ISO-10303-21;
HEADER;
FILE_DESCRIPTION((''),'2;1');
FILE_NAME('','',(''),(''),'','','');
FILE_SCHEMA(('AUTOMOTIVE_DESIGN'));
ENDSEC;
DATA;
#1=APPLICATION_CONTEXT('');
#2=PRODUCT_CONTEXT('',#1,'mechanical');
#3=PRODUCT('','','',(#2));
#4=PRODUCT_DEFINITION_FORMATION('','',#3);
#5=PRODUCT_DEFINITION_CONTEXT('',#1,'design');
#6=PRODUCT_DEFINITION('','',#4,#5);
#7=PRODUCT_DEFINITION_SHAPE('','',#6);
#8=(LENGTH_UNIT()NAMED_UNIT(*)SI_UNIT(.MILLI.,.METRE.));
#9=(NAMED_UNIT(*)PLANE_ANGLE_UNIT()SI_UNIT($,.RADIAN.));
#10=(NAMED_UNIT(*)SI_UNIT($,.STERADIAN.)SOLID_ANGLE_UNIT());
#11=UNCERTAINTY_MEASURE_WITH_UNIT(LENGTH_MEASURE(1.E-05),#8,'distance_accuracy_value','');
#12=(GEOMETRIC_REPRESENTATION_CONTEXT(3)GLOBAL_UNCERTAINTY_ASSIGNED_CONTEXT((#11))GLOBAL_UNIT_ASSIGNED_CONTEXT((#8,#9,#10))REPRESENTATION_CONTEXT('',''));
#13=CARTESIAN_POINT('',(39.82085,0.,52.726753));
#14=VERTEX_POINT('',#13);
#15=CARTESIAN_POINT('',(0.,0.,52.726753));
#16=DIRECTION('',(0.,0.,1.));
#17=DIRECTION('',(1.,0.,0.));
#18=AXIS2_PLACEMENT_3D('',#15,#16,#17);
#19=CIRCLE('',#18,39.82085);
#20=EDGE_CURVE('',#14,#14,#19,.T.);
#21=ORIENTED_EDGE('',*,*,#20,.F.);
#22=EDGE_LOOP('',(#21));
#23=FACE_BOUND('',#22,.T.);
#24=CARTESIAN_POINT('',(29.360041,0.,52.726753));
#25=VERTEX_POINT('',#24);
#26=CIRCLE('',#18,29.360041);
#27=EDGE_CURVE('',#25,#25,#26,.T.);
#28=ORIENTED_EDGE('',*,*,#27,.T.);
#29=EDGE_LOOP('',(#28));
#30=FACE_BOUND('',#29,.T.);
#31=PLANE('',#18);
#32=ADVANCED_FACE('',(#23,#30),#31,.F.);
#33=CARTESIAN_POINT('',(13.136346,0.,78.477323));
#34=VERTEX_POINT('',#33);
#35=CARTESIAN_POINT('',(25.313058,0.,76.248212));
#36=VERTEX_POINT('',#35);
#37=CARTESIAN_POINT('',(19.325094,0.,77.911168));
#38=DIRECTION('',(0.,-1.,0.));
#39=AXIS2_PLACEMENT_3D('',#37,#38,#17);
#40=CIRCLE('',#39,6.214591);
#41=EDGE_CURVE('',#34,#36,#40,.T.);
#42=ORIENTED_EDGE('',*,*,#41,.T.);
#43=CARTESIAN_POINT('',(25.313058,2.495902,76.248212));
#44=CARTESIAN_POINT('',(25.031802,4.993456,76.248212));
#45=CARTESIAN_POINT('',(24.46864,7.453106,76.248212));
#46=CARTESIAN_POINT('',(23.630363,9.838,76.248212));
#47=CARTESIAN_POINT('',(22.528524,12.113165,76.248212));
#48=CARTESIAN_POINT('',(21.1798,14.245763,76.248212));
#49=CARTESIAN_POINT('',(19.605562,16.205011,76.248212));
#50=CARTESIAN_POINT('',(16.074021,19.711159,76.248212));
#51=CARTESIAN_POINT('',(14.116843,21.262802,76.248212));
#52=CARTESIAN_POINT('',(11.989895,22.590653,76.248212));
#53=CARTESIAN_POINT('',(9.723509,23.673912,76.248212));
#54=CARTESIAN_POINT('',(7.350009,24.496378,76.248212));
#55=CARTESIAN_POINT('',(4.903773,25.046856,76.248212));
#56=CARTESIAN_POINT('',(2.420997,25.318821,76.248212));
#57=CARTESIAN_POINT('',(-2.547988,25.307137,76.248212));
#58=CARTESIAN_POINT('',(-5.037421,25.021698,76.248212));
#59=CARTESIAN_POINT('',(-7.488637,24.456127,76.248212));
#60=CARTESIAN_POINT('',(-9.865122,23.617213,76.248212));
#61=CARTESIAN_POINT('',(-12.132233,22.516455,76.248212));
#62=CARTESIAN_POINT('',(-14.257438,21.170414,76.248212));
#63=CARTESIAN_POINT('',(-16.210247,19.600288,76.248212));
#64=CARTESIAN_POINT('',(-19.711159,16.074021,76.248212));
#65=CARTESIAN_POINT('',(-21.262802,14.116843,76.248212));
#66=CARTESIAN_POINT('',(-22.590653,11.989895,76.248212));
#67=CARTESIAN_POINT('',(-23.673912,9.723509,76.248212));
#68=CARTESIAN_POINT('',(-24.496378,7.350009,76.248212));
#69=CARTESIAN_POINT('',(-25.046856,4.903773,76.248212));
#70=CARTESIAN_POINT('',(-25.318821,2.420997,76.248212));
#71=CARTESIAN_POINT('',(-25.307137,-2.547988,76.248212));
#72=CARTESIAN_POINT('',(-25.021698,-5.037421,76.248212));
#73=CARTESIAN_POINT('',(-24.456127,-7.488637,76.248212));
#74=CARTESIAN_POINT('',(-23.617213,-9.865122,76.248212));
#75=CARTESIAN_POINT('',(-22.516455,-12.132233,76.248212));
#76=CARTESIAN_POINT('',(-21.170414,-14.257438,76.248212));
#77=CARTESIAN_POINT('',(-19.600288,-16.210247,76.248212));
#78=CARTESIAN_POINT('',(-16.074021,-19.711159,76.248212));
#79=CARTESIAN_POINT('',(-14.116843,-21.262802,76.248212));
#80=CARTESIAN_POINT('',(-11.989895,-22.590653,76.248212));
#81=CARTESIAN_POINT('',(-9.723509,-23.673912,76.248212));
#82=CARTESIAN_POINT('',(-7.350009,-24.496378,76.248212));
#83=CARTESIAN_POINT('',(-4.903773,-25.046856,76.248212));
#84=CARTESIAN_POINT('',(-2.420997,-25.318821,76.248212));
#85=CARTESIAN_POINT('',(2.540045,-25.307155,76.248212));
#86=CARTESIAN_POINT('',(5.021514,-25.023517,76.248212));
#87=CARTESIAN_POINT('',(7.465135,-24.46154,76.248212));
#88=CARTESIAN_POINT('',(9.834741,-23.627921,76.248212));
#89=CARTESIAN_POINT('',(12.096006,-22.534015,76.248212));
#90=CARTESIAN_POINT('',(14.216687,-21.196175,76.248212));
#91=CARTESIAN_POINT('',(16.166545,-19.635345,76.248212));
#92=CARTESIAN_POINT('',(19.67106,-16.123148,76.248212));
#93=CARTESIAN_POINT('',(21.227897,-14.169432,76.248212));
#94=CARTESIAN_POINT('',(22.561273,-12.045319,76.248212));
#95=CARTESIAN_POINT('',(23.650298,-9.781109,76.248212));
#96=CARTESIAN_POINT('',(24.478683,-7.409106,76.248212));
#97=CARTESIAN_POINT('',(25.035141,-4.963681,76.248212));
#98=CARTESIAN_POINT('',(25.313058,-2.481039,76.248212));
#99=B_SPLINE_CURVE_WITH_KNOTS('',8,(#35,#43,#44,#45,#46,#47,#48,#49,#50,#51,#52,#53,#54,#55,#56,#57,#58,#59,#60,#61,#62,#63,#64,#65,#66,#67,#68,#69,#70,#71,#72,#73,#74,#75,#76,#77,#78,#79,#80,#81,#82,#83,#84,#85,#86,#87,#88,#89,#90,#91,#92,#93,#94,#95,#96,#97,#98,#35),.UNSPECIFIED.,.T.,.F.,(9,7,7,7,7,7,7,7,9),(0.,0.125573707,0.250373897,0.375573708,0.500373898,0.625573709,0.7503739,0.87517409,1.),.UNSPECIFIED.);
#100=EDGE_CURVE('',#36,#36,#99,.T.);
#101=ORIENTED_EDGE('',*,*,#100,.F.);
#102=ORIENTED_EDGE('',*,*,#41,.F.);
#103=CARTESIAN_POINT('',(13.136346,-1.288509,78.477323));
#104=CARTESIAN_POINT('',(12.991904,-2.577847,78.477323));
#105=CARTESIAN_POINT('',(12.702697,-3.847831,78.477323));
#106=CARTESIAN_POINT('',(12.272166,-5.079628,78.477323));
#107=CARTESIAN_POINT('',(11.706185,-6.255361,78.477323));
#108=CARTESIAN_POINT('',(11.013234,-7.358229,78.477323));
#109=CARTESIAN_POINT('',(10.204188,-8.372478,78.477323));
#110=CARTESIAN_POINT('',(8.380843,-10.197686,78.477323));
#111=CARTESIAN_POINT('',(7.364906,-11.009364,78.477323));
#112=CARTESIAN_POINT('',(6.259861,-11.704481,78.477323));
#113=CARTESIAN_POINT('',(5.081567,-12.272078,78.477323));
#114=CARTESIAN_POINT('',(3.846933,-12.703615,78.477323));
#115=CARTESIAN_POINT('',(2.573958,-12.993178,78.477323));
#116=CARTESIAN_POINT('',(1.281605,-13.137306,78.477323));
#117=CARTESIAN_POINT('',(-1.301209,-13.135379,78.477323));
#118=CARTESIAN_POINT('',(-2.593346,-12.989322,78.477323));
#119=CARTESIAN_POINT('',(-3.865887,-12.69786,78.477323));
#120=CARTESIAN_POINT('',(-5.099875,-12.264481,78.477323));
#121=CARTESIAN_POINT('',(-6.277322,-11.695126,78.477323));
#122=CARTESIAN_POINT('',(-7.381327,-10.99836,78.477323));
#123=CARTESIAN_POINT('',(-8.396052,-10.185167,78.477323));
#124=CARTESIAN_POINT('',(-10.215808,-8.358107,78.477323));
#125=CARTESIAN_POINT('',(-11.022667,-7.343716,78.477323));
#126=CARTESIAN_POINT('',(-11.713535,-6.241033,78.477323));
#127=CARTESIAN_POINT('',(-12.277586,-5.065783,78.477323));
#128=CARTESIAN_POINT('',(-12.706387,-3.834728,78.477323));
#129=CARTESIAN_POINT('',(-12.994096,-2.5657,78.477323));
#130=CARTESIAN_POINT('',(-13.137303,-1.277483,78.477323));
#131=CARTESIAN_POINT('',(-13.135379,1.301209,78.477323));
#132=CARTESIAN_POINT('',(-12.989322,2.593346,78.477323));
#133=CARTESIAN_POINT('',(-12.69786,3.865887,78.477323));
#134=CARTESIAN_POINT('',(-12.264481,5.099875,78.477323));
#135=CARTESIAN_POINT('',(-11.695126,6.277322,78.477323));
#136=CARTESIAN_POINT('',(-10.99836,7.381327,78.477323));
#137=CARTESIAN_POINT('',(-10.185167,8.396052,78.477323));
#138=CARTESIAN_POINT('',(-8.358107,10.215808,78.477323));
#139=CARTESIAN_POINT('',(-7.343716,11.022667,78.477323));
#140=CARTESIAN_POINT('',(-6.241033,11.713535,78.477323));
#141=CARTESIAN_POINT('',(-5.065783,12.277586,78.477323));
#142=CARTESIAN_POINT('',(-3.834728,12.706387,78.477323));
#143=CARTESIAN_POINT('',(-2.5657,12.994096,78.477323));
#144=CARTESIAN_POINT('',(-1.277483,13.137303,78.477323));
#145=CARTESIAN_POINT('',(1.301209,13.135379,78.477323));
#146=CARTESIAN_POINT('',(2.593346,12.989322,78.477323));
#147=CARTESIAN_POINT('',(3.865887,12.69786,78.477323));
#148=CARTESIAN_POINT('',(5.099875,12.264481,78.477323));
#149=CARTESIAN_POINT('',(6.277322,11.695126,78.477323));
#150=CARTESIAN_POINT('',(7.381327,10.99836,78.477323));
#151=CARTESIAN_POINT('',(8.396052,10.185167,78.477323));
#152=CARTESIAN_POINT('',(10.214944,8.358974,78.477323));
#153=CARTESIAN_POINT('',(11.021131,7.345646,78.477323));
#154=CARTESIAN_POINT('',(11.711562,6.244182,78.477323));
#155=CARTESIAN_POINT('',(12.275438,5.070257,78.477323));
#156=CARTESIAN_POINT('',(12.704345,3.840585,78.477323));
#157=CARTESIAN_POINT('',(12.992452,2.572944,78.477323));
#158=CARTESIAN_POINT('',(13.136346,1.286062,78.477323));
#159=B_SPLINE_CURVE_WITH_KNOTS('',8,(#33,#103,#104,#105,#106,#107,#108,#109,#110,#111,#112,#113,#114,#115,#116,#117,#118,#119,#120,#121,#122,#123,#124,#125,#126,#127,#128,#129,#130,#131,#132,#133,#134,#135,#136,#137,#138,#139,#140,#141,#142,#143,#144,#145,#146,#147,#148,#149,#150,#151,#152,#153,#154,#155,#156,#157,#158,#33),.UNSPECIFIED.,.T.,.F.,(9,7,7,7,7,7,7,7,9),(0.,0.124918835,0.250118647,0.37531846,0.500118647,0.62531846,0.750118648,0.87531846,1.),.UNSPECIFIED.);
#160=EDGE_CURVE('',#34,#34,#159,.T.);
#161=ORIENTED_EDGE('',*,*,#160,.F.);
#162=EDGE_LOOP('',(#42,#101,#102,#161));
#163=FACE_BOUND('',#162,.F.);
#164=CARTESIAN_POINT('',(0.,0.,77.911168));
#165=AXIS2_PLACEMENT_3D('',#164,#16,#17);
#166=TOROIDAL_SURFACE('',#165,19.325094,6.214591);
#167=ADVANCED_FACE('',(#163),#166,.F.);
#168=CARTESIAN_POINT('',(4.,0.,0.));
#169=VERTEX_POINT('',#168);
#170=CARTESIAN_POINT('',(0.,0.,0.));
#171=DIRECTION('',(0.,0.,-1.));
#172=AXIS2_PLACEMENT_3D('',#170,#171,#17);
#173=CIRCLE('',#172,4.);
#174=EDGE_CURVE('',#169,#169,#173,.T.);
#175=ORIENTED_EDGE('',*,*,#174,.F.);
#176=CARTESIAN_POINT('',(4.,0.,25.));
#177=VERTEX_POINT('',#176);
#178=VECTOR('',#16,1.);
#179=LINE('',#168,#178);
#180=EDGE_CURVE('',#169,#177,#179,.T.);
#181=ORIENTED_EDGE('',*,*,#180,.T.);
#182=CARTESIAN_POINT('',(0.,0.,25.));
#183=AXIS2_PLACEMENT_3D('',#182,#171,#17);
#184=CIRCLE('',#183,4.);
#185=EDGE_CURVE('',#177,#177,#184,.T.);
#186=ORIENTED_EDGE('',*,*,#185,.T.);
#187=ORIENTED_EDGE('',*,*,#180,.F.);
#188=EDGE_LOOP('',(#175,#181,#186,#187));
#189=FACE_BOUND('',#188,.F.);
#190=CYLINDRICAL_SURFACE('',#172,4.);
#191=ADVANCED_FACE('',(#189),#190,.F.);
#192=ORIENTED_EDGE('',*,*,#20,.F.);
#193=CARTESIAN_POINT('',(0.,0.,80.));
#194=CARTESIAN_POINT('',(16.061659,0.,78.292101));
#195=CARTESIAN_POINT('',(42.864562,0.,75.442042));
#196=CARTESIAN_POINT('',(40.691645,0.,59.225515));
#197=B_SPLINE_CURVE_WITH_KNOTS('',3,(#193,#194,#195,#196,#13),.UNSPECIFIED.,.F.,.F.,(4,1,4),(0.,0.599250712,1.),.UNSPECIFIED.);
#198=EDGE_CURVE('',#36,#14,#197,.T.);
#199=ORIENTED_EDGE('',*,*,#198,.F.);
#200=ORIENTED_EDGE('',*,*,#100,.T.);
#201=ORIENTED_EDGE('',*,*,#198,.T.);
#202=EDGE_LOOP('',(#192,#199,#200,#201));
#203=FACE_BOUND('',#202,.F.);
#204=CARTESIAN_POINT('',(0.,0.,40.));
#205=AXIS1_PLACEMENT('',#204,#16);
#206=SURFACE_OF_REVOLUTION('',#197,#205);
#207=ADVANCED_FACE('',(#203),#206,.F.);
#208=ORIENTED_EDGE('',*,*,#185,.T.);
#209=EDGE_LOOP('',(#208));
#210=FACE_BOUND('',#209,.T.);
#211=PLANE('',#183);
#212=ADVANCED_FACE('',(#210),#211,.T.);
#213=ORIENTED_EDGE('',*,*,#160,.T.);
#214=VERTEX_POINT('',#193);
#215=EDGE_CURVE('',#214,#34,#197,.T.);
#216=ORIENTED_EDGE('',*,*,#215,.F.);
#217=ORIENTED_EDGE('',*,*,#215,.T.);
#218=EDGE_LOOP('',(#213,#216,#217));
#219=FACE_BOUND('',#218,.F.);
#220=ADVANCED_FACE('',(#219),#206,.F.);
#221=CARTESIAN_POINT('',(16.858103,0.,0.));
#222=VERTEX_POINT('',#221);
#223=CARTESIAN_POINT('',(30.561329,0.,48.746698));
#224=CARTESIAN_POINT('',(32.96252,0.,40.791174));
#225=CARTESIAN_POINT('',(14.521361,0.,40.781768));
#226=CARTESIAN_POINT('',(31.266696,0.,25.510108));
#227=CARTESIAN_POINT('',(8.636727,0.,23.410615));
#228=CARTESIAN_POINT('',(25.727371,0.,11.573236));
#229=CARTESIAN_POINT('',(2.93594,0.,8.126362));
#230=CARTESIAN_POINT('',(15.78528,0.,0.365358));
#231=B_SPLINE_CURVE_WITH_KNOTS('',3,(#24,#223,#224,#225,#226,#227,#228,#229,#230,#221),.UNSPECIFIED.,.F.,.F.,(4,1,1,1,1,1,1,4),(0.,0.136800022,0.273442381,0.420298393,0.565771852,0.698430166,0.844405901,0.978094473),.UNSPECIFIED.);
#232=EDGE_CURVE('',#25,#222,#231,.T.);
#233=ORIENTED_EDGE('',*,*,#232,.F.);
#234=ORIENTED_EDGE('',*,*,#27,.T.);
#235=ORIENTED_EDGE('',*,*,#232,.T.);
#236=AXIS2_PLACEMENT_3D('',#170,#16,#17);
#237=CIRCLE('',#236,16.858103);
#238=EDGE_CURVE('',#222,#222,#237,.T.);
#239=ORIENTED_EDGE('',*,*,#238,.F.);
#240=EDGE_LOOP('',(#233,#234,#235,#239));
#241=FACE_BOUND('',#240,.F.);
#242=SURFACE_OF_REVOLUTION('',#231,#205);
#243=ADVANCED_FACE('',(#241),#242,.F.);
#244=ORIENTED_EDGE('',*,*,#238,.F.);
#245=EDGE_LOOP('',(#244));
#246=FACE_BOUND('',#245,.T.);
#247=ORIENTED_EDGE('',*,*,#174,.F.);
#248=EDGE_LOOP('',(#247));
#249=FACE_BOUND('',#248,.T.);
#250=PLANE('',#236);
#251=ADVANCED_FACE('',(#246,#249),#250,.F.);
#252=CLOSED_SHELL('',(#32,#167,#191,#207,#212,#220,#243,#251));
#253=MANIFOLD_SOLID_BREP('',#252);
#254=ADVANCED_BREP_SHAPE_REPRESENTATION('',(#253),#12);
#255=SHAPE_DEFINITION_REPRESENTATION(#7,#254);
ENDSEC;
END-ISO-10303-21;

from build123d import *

# Parameters (mm, degrees)
F2_R     = 6.2145907432
F4_R     = 4
F5_DEPTH = 25


with BuildPart() as f1:
    # F0 (on Front) → F1 (revolve)
    with BuildSketch(Plane.XZ):
        with BuildLine():
            Line((0, 80), (0, 0))
            Line((0, 0), (16.8581027538, 0))
            add(Edge.make_bspline(
                [(29.3600410223, 52.726753056), (30.5613288421, 48.7466978082), (32.9625199916, 40.7911743452), (14.5213605876, 40.7817683237), (31.2666955075, 25.5101084872), (8.6367268511, 23.4106151539), (25.7273714968, 11.5732360427), (2.9359401971, 8.1263623249), (15.7852800949, 0.3653584132), (16.8581027538, 0)],
                knots=[0, 0, 0, 0, 0.1368000216, 0.2734423806, 0.4202983932, 0.5657718522, 0.6984301663, 0.8444059008, 0.9780944733, 0.9780944733, 0.9780944733, 0.9780944733], degree=3))
            Line((29.3600410223, 52.726753056), (39.8208498955, 52.726753056))
            add(Edge.make_bspline(
                [(0, 80), (16.0616589799, 78.2921005405), (42.86456245, 75.4420422491), (40.6916450122, 59.2255148643), (39.8208498955, 52.726753056)],
                knots=[0, 0, 0, 0, 0.5992507117, 1, 1, 1, 1], degree=3))
        make_face()
    revolve(axis=Axis((0, 0, 40), (0, 0, 1)))

    # F2 (on Front) → F3 (revolve, cut)
    with BuildSketch(Plane.XZ):
        with Locations((19.3250942975, 77.9111683369)):
            Circle(F2_R)
    revolve(axis=Axis((0, 0, 40), (0, 0, 1)), mode=Mode.SUBTRACT)

    # F4 (on face) → F5 (cut)
    with BuildSketch(Plane(origin=(0, 0, 9.3e-09), x_dir=(1, 0, 0), z_dir=(0, 0, -1))):
        Circle(F4_R)
    extrude(amount=-F5_DEPTH, mode=Mode.SUBTRACT)


solid = f1.part
